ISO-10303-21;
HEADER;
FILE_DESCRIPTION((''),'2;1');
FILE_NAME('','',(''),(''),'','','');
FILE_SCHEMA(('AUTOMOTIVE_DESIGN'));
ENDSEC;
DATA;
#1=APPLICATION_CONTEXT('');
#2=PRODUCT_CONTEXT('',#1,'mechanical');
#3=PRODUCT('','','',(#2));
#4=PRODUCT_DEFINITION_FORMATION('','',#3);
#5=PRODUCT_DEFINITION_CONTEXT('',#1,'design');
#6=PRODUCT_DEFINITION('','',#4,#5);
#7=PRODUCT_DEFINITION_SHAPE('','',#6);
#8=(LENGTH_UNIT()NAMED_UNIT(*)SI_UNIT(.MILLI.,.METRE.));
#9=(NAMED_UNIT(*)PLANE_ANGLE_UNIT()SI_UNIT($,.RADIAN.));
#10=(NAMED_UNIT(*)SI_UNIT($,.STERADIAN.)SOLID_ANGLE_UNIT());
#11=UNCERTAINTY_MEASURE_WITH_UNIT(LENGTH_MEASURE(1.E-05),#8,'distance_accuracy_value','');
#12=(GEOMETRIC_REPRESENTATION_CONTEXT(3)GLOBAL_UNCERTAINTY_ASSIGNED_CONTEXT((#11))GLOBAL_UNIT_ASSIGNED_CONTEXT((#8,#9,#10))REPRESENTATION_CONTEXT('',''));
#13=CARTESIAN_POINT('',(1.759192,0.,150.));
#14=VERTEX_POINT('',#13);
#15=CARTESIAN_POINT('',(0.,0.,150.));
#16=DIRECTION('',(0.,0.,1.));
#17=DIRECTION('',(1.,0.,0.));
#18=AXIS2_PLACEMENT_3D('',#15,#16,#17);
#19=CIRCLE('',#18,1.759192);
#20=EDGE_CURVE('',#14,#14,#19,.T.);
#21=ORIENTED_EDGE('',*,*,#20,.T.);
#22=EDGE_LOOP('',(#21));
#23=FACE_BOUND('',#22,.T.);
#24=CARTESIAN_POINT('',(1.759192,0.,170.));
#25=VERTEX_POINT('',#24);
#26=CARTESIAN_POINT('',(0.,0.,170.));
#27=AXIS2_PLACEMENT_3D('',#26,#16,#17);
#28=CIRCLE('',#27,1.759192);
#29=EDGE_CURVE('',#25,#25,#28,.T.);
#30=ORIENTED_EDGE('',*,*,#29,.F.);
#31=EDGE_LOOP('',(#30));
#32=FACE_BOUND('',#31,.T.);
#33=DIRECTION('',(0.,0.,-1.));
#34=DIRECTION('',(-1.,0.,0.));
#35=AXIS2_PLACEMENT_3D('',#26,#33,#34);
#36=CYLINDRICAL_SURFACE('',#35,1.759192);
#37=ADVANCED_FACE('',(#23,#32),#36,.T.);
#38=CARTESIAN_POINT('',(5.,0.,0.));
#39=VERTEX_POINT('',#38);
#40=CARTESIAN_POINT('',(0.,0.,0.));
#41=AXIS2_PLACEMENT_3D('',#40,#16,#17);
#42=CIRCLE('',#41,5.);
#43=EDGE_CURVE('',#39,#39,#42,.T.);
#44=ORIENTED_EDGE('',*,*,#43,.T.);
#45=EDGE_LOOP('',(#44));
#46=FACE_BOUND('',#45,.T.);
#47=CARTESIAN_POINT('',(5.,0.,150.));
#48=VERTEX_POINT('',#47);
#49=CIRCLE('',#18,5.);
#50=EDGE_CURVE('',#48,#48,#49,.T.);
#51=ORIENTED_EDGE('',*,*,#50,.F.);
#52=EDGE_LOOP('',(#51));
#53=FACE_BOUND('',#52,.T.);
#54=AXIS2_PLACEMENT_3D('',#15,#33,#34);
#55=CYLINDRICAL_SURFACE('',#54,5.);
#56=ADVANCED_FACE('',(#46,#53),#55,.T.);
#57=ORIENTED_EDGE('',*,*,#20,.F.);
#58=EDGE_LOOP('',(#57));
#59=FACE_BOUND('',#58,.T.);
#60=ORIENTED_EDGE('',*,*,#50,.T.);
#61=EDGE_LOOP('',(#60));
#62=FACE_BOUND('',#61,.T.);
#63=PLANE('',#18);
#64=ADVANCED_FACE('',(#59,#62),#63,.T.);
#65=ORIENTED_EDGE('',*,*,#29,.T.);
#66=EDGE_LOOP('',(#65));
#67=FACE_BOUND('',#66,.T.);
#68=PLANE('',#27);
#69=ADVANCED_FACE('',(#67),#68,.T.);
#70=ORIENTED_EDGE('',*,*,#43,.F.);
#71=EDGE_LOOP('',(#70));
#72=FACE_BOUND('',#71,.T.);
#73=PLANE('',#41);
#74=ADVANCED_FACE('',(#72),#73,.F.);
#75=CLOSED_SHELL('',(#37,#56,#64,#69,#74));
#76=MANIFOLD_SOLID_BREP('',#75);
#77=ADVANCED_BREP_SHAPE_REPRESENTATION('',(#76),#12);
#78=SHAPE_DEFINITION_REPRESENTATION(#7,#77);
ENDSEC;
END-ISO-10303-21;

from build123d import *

# Parameters (mm, degrees)
SKETCH1_R           = 5
BOSS_EXTRUDE1_DEPTH = 150
SKETCH2_R           = 1.759192298
BOSS_EXTRUDE2_DEPTH = 20


with BuildPart() as part:
    # Sketch1 → Boss-Extrude1 (new body)
    with BuildSketch(Plane.XY):
        Circle(SKETCH1_R)
    extrude(amount=BOSS_EXTRUDE1_DEPTH)

    # Sketch2 → Boss-Extrude2 (add)
    with BuildSketch(Plane.XY.offset(150)):
        Circle(SKETCH2_R)
    extrude(amount=BOSS_EXTRUDE2_DEPTH)


solid = part.part
